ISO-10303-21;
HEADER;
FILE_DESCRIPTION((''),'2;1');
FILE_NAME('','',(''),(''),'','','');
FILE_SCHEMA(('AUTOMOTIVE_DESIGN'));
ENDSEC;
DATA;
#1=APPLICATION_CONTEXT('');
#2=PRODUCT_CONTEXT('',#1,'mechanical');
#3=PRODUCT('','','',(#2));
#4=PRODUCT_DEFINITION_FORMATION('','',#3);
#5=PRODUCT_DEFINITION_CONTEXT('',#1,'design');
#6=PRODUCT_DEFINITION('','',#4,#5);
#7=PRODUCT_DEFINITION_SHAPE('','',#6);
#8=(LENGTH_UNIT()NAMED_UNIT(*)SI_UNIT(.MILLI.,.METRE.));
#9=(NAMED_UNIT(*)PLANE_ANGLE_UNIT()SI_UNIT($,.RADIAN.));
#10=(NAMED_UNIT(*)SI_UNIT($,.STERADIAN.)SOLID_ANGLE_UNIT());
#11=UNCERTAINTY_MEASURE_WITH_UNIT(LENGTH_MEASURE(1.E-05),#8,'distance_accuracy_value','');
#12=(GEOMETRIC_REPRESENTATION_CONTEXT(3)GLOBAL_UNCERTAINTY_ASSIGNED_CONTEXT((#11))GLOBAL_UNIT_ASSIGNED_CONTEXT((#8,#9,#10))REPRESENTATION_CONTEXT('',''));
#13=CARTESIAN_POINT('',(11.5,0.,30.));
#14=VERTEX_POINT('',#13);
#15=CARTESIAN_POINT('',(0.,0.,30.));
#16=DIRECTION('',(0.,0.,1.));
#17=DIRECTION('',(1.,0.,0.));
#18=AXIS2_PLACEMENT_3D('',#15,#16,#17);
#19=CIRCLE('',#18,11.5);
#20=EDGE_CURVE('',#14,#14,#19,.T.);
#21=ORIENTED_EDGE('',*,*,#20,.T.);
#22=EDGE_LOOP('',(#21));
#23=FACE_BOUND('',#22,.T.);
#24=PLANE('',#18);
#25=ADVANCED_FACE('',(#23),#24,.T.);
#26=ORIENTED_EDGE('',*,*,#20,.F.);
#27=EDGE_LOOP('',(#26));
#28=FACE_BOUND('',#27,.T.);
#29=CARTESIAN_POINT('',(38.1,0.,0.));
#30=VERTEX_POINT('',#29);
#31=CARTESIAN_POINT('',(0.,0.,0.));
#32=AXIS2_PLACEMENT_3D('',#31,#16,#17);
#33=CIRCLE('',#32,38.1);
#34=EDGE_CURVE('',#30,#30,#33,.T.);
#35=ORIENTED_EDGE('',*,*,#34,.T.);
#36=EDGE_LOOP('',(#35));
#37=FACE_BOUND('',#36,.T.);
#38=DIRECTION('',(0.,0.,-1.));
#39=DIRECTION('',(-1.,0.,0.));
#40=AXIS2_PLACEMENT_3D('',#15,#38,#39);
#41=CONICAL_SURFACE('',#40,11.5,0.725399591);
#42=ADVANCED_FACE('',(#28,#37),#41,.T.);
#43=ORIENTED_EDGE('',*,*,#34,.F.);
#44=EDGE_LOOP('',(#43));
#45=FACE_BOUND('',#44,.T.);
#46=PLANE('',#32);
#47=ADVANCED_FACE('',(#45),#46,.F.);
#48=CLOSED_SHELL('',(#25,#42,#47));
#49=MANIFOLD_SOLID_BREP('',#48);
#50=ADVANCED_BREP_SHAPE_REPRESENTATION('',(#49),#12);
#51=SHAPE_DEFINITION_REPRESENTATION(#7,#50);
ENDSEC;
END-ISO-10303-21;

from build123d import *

# Parameters (mm, degrees)
SKETCH1_R = 38.1
SKETCH2_R = 11.5


with BuildPart() as part:
    # Sketch1 → Loft1 section 0
    with BuildSketch(Plane.XY):
        Circle(SKETCH1_R)
    # Sketch2 → Loft1 section 1
    with BuildSketch(Plane.XY.offset(30)):
        Circle(SKETCH2_R)
    loft()


solid = part.part
